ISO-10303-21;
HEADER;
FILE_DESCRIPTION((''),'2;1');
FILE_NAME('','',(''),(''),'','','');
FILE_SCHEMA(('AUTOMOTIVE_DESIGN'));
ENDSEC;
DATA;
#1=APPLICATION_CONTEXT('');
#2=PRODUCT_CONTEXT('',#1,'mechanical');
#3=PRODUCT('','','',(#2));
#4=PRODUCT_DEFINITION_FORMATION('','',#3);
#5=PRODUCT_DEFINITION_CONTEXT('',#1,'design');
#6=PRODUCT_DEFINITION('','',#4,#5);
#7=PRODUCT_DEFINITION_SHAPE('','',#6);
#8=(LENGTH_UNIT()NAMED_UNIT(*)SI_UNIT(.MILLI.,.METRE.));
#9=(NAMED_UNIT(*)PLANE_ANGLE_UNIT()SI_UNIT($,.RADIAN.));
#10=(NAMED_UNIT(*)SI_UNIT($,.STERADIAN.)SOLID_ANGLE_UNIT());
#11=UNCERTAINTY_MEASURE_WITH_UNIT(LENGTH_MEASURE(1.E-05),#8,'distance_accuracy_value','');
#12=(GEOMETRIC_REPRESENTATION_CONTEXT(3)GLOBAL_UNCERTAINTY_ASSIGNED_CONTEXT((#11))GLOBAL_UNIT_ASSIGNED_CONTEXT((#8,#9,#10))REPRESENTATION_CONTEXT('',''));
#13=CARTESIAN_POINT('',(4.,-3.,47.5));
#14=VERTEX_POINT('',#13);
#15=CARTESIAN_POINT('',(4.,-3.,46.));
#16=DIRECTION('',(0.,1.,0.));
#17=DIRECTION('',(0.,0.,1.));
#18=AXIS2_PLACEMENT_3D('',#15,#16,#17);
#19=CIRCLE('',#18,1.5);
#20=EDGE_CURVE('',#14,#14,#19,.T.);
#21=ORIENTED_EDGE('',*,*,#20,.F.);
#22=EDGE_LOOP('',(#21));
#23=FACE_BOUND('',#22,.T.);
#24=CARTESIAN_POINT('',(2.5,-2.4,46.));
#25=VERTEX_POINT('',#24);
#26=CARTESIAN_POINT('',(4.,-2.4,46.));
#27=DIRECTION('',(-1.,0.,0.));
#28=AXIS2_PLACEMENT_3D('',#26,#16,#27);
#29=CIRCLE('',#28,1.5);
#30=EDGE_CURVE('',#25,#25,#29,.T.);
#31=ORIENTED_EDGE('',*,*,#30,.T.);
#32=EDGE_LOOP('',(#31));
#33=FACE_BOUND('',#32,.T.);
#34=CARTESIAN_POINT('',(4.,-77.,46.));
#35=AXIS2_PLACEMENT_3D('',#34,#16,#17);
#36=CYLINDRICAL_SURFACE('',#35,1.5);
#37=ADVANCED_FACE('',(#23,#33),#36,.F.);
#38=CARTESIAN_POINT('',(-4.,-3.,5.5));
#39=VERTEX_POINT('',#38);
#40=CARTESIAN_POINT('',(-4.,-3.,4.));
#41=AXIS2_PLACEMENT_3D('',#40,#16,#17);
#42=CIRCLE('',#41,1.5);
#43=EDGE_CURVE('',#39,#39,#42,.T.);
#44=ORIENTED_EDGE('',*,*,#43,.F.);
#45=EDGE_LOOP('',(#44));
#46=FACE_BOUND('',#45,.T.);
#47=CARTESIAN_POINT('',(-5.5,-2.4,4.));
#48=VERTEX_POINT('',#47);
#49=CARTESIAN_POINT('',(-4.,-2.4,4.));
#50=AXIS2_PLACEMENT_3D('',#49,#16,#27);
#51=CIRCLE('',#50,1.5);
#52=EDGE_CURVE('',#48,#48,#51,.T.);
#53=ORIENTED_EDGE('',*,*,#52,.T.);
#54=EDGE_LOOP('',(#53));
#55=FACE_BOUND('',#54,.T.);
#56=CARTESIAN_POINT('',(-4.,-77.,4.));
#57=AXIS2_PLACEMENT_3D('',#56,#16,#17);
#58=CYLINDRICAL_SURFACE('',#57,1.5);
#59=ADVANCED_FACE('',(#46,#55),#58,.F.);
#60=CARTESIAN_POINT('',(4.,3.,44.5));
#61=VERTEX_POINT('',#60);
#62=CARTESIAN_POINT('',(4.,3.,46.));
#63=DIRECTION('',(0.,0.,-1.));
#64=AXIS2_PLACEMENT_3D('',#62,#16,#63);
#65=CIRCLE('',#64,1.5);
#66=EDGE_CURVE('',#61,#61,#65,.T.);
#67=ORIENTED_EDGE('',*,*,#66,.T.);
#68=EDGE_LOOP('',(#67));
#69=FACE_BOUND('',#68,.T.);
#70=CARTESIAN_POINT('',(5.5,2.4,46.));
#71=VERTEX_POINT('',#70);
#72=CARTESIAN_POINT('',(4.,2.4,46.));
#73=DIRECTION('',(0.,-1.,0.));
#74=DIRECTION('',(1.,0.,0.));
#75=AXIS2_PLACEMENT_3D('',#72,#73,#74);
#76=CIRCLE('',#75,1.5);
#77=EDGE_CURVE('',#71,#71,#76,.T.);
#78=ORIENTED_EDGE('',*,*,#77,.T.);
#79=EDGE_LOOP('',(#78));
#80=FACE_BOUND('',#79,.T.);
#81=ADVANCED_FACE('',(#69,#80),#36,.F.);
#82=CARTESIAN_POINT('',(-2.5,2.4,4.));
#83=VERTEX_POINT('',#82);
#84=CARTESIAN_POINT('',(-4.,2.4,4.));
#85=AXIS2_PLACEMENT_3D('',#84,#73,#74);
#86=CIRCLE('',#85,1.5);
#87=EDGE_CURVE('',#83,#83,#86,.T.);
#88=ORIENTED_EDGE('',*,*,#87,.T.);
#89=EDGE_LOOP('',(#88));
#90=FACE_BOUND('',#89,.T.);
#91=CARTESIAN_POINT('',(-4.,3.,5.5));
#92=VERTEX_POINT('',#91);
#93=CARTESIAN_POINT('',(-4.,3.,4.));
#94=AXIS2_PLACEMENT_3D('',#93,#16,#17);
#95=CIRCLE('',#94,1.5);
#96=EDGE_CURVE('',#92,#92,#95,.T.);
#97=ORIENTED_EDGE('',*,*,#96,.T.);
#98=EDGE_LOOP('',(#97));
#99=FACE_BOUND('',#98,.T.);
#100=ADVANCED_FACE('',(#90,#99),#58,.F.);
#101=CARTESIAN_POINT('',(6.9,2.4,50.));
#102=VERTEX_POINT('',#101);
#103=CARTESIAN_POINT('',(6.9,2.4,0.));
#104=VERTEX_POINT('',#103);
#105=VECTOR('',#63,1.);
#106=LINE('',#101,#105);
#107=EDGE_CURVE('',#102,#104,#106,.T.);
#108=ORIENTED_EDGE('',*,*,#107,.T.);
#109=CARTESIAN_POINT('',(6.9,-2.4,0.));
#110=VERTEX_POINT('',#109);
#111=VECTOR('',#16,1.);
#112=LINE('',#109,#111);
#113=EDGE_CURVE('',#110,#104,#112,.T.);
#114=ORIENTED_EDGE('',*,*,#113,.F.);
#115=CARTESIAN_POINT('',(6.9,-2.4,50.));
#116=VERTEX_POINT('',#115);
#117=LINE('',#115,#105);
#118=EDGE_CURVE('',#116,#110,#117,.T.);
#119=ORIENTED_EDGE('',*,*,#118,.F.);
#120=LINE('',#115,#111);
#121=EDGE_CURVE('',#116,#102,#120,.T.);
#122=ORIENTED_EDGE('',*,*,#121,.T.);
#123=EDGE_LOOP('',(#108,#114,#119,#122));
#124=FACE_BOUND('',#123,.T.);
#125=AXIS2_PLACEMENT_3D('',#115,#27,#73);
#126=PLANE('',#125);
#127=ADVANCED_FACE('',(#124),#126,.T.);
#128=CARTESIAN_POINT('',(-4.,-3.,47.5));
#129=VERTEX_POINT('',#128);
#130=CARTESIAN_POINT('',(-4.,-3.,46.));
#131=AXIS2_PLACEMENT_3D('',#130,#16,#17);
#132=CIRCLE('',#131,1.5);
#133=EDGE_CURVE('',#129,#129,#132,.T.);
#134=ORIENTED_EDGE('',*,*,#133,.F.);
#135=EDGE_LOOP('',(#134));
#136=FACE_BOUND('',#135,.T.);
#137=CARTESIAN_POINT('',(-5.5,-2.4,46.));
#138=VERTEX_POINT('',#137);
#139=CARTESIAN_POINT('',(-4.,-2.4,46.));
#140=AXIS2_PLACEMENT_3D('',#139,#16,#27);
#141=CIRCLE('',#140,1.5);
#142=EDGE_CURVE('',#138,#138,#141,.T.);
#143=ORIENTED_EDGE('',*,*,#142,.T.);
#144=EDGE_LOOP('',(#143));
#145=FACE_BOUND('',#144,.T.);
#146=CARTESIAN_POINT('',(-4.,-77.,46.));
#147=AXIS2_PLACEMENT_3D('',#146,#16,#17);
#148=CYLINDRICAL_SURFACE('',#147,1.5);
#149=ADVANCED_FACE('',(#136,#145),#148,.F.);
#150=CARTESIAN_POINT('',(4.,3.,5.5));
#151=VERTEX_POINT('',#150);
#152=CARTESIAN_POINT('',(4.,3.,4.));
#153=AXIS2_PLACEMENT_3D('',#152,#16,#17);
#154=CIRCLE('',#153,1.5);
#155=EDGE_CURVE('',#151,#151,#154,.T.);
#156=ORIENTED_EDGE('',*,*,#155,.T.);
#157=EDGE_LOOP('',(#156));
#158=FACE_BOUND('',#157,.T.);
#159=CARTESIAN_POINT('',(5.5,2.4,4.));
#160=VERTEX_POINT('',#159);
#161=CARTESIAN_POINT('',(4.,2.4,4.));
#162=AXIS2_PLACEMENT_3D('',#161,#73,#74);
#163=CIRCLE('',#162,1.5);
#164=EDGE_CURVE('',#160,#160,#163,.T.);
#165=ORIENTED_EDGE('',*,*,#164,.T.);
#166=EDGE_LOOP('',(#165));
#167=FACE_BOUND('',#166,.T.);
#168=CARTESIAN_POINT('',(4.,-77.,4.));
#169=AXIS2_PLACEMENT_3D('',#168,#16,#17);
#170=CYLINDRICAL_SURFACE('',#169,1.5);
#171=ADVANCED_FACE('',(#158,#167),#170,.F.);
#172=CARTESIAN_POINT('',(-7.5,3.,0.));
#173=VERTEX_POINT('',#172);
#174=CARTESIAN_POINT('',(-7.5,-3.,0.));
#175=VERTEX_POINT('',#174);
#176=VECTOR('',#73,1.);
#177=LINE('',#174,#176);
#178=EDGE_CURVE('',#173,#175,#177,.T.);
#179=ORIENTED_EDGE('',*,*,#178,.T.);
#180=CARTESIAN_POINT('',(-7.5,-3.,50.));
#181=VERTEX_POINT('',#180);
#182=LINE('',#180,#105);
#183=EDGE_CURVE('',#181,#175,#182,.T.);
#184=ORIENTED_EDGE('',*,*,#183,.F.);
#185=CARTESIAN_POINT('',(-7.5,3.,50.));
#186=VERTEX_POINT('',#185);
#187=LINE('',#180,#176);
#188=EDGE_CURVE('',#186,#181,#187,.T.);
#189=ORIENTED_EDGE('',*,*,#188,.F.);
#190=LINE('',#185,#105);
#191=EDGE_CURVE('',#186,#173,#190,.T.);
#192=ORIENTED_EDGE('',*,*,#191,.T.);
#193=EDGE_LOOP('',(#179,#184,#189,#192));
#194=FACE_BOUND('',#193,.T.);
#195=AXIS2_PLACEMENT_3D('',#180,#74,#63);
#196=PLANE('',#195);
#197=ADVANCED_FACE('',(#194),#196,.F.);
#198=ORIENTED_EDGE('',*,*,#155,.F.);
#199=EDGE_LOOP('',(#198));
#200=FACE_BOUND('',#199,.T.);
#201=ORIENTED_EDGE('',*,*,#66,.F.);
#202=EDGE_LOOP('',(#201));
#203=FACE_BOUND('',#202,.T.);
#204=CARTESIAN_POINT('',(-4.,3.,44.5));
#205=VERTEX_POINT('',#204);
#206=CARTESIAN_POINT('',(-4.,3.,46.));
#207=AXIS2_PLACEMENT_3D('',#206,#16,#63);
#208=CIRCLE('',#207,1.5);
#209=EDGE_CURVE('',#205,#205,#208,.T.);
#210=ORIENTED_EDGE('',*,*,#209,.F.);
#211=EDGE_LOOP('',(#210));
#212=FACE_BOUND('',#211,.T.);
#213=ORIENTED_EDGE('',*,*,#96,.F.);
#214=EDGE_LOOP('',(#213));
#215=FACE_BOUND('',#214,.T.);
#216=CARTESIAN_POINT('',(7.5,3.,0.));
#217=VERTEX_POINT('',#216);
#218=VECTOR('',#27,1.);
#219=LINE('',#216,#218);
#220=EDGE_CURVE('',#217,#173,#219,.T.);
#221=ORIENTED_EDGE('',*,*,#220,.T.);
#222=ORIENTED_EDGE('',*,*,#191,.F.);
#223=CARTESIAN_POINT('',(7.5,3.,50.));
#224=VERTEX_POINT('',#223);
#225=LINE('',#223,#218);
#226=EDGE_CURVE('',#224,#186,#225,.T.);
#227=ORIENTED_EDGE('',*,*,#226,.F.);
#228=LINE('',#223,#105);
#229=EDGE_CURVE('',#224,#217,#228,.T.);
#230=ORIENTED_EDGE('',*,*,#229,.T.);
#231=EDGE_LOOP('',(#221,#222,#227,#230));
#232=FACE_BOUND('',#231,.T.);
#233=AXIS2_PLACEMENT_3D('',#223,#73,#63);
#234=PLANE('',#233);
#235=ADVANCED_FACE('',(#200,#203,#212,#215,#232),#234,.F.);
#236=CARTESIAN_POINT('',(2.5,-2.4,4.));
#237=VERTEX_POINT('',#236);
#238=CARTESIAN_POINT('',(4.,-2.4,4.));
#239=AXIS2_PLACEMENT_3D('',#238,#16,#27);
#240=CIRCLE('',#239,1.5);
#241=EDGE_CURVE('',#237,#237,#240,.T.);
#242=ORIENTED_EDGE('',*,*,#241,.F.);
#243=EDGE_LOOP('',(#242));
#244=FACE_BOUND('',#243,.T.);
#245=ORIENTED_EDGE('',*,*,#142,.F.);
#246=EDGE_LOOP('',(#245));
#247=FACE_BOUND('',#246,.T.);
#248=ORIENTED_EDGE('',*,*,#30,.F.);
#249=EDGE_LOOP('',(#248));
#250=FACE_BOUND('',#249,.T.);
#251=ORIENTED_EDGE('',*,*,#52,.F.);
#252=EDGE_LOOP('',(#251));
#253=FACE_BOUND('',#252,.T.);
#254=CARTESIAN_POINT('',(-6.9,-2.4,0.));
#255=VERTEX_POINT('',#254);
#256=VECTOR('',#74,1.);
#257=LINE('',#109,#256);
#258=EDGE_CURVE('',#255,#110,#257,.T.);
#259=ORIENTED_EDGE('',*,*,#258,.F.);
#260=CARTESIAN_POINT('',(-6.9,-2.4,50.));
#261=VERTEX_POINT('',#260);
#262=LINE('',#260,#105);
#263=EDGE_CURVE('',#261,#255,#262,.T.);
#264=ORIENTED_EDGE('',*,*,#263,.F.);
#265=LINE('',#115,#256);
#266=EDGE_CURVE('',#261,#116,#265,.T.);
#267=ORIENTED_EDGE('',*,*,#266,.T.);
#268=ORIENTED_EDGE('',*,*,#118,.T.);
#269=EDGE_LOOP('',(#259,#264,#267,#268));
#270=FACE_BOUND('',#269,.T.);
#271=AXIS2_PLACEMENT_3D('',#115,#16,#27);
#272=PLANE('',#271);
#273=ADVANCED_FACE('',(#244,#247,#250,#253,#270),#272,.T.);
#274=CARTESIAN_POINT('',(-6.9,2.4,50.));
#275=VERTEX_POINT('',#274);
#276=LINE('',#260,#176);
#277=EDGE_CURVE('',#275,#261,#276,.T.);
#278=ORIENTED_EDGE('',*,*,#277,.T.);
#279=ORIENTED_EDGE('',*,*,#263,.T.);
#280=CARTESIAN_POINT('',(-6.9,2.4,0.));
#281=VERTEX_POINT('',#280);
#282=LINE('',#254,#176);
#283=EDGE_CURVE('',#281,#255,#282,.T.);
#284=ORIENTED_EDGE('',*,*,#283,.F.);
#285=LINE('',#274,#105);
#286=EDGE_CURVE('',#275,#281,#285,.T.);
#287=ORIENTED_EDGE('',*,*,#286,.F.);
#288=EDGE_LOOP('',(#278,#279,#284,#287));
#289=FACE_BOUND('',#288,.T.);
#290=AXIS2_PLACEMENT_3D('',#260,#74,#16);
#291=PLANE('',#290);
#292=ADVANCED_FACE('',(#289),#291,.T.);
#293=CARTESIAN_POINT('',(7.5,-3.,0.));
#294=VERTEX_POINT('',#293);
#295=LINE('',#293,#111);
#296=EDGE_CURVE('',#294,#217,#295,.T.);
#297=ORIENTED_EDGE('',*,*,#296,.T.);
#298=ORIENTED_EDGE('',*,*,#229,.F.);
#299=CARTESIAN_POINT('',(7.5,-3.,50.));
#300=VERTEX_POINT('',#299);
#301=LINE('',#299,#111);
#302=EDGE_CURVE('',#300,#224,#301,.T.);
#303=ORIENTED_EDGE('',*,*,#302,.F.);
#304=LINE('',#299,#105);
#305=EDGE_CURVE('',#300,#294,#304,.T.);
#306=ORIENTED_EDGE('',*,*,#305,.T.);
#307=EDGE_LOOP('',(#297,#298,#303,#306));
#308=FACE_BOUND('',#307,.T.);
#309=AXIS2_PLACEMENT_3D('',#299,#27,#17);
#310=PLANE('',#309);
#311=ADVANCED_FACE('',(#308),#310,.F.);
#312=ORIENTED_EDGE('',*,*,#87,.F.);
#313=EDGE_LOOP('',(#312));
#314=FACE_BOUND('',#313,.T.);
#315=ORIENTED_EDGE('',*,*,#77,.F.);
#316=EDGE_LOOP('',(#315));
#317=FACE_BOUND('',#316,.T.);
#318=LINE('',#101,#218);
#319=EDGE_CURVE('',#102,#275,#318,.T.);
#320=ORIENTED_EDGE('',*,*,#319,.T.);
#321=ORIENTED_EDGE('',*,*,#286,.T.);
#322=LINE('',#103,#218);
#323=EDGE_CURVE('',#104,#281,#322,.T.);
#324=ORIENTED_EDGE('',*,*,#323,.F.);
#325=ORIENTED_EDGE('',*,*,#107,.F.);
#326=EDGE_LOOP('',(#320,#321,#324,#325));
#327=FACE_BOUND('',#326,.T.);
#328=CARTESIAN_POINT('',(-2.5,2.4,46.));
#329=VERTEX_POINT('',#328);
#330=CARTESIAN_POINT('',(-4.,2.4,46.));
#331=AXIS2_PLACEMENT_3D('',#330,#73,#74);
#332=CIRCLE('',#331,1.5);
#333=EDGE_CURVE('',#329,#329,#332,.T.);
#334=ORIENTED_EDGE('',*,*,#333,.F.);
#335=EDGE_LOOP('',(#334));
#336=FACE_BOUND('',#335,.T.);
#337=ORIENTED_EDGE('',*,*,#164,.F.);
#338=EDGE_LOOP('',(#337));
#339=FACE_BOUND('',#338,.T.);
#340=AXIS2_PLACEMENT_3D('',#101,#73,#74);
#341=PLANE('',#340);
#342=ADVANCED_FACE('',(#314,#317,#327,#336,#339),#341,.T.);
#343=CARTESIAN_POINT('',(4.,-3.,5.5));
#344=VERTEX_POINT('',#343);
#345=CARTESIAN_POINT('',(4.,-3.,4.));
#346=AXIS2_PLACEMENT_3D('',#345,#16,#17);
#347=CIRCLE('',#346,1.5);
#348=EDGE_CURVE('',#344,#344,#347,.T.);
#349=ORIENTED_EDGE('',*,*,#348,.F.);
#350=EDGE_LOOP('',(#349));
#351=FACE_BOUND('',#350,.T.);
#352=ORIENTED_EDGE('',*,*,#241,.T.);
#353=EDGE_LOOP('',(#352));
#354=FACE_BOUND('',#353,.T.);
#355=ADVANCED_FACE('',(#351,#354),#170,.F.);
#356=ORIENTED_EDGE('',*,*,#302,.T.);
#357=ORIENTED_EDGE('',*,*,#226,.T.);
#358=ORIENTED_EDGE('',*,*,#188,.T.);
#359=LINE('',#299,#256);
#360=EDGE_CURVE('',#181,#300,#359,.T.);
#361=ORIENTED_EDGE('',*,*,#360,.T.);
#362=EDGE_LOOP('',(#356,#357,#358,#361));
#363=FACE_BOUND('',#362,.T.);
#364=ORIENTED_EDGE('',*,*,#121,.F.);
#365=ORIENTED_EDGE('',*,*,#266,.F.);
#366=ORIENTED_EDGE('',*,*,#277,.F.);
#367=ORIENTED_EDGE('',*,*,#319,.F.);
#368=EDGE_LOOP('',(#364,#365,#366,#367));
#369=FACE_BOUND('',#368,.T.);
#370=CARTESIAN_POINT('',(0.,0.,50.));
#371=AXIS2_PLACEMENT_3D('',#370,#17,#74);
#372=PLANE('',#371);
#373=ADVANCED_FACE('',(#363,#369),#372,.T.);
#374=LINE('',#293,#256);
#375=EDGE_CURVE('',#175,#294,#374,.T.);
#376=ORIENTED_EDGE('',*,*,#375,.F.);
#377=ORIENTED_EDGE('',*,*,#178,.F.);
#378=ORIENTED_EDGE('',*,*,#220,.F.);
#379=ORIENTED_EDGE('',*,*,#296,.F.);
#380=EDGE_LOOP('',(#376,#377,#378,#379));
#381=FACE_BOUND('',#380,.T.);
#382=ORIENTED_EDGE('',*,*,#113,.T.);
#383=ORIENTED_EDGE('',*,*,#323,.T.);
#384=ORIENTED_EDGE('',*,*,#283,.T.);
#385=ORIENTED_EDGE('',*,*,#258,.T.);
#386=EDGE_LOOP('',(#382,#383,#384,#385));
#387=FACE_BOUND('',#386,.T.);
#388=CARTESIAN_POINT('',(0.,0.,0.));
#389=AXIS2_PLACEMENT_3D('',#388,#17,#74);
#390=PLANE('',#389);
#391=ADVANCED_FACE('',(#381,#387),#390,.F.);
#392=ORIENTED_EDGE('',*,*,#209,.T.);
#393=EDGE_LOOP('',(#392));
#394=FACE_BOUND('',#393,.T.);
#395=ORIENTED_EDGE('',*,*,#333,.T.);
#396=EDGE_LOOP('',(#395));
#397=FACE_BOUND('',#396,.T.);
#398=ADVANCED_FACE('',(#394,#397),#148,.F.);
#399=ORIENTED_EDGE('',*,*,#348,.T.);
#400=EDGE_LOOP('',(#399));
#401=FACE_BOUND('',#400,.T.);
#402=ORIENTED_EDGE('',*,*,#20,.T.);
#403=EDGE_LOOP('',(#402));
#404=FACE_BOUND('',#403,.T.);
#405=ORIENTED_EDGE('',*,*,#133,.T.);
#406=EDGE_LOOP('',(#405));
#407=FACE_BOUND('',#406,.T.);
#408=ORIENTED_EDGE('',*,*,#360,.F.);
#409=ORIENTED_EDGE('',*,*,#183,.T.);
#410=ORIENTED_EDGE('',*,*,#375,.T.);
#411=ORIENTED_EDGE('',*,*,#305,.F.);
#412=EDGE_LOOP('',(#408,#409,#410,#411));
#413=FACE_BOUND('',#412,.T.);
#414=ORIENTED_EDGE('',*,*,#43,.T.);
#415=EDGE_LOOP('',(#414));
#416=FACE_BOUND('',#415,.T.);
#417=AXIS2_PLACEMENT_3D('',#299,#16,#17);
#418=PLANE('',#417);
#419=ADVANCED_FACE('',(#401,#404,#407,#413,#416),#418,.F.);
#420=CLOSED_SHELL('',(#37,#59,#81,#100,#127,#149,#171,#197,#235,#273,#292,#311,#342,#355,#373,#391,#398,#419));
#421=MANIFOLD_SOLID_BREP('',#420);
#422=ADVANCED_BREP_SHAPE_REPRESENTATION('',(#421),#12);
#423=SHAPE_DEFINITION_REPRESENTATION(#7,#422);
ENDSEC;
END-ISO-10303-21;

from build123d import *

# Parameters (mm, degrees)
SKETCH_2_W          = 15
SKETCH_2_H          = 6
SKETCH_2_W_2        = 13.8
SKETCH_2_H_2        = 4.8
EXTRUDE_1_DEPTH     = 50
SKETCH_3_R          = 1.5
CUT_EXTRUDE_1_DEPTH = 80


with BuildPart() as part:
    # 草图2 → 凸台-拉伸1 (new body)
    with BuildSketch(Plane.XY):
        Rectangle(SKETCH_2_W, SKETCH_2_H)
        Rectangle(SKETCH_2_W_2, SKETCH_2_H_2, mode=Mode.SUBTRACT)
    extrude(amount=EXTRUDE_1_DEPTH)

    # 草图3 → 切除-拉伸1 (cut)
    with BuildSketch(Plane(origin=(0, 3, 0), x_dir=(1, 0, 0), z_dir=(0, 1, 0))):
        with Locations(Location((-4, -4, 0), (0, 0, 270))):
            Circle(SKETCH_3_R)
        with Locations(Location((4, -4, 0), (0, 0, 270))):
            Circle(SKETCH_3_R)
        with Locations((4, -46)):
            Circle(SKETCH_3_R)
        with Locations((-4, -46)):
            Circle(SKETCH_3_R)
    extrude(amount=-CUT_EXTRUDE_1_DEPTH, mode=Mode.SUBTRACT)


solid = part.part
